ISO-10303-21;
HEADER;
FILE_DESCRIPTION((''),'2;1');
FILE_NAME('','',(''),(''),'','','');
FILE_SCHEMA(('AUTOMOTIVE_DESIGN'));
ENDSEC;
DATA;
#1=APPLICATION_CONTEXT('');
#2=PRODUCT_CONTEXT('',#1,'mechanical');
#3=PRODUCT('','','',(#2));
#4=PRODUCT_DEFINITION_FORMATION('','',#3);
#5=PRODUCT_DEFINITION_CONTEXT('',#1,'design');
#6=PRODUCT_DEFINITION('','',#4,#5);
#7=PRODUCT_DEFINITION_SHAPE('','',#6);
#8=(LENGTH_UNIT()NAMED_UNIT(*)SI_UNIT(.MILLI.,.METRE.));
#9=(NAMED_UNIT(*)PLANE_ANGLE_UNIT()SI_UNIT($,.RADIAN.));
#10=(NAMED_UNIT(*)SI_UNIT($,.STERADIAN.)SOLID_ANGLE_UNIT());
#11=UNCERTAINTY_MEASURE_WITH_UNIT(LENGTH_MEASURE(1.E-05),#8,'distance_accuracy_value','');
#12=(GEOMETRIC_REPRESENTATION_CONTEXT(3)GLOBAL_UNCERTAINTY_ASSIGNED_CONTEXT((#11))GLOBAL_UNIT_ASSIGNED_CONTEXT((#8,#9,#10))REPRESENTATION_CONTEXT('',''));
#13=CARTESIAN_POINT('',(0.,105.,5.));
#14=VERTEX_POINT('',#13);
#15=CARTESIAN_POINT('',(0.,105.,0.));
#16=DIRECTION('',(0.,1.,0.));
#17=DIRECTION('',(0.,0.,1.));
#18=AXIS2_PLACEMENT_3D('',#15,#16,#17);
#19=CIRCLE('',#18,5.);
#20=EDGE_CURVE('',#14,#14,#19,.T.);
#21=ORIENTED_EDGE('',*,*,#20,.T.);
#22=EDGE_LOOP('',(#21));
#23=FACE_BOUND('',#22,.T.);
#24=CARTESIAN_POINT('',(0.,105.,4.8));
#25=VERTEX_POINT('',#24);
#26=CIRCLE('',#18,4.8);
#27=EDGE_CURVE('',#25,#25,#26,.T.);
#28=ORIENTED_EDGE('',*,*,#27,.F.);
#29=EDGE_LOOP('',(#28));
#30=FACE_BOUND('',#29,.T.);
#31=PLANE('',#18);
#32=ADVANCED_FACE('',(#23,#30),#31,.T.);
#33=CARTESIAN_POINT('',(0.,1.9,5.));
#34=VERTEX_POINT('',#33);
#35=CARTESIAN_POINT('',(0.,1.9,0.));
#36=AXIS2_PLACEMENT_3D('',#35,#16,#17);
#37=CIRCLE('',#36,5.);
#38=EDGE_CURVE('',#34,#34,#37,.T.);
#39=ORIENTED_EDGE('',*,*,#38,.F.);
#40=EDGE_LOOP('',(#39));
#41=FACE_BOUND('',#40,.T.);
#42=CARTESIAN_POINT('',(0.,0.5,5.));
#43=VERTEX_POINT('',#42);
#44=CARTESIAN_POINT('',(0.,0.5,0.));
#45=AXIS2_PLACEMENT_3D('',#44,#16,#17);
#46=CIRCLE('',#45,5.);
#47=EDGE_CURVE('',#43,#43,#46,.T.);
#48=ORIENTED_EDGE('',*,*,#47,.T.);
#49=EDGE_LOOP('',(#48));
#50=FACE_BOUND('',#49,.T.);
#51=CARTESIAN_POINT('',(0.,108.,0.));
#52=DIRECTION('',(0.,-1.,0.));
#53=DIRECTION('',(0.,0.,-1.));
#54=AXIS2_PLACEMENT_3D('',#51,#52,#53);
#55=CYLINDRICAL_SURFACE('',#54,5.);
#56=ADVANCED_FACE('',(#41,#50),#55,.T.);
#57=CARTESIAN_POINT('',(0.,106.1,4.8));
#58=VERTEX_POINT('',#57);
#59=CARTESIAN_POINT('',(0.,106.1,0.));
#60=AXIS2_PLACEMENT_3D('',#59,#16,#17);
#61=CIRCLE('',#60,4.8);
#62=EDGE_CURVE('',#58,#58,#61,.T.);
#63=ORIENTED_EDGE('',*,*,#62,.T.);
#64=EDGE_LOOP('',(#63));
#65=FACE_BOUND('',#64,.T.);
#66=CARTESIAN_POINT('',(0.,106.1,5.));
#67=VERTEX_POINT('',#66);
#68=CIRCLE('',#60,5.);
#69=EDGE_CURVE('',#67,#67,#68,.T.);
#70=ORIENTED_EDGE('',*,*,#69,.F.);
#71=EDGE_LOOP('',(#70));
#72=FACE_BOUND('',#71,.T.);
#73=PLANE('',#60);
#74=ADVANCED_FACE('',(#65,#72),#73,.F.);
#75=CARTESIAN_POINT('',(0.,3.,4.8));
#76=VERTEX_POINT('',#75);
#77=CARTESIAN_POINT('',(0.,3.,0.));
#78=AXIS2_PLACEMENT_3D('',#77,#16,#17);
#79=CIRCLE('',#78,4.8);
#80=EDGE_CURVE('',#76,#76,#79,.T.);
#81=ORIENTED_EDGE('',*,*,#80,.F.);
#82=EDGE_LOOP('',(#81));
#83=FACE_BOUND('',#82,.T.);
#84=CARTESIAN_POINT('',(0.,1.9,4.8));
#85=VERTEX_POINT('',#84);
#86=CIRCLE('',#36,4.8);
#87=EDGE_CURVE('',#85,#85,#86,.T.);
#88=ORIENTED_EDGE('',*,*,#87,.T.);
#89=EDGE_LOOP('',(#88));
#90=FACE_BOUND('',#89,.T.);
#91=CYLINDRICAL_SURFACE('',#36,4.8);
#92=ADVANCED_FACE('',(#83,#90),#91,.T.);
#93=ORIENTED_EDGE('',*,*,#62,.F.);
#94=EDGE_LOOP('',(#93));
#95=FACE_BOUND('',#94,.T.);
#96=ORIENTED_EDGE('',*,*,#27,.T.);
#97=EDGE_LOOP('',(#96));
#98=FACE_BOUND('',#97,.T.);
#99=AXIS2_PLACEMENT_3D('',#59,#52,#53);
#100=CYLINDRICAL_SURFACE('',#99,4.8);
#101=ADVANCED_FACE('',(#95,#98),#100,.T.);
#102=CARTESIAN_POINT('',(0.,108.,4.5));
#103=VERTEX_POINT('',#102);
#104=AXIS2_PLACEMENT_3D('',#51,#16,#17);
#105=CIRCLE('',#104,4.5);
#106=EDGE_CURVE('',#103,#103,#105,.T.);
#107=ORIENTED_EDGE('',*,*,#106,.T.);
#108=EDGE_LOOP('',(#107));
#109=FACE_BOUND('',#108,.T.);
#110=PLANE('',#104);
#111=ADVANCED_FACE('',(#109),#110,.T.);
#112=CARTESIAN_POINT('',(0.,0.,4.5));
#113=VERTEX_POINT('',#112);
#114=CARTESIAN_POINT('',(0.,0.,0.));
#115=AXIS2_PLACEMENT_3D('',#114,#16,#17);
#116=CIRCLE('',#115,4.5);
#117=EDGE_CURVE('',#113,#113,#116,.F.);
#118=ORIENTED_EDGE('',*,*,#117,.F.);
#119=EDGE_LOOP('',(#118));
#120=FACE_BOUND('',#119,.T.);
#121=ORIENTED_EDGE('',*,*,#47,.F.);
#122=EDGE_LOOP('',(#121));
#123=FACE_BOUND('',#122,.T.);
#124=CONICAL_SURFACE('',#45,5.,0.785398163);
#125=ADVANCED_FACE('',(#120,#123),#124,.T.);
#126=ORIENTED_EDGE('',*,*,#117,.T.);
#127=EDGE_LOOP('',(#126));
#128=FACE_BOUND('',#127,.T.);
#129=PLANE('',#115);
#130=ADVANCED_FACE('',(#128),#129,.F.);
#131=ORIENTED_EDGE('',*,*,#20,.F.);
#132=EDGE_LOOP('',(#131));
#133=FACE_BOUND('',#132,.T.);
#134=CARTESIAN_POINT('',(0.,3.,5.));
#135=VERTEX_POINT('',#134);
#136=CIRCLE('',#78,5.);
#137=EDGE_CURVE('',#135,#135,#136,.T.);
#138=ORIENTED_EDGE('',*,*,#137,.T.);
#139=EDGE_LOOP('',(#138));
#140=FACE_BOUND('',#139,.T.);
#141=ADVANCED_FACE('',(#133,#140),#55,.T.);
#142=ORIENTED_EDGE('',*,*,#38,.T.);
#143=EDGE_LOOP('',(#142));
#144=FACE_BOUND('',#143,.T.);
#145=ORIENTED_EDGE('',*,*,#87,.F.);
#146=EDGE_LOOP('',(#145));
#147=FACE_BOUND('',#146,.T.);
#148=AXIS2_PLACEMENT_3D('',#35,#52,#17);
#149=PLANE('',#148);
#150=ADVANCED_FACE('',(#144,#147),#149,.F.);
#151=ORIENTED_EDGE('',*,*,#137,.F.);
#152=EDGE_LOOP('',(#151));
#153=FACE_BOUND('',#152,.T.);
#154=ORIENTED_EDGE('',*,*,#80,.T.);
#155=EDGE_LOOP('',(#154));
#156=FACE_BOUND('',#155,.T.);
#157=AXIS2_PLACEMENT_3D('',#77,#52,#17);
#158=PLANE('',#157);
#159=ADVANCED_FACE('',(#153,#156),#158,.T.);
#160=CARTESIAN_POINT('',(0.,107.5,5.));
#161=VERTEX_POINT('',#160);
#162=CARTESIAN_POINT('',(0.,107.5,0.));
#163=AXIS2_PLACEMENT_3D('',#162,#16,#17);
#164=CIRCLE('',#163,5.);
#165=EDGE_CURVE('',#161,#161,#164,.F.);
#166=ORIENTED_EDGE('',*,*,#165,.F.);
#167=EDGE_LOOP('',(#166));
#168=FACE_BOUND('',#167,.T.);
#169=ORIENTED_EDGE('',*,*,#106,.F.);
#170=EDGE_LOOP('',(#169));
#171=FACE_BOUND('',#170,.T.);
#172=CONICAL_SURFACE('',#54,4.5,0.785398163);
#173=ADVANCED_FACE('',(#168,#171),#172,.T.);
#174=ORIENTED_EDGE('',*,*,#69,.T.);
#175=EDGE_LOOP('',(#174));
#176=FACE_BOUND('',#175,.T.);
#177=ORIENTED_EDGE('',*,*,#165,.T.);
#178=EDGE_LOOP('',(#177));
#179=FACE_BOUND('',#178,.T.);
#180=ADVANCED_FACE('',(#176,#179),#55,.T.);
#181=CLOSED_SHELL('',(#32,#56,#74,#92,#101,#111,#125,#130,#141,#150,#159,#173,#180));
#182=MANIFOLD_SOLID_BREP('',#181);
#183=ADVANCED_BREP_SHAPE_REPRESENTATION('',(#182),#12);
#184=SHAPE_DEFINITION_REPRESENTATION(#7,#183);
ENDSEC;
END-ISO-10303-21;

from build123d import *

# Parameters (mm, degrees)
SKETCH_1_R          = 5
EXTRUDE_1_DEPTH     = 108
CHAMFER_1_SIZE      = 0.5
CUT_EXTRUDE_START   = -3
SKETCH_2_R          = 5
SKETCH_2_R_2        = 4.8
CUT_EXTRUDE_1_DEPTH = 1.1


with BuildPart() as part:
    # 草图1 → 凸台-拉伸1 (new body)
    with BuildSketch(Plane(origin=(0, 0, 0), x_dir=(1, 0, 0), z_dir=(0, 1, 0))):
        with Locations(Location((0, 0, 0), (0, 0, 270))):
            Circle(SKETCH_1_R)
    extrude(amount=EXTRUDE_1_DEPTH)

    # 倒角1
    chamfer_1_edges = [part.edges().sort_by_distance(p)[0] for p in [
        (0, 0, -5),
        (0, 108, -5),
    ]]
    chamfer(chamfer_1_edges, length=CHAMFER_1_SIZE)

    # 草图2 → 切除-拉伸1 (cut)
    with BuildSketch(Plane(origin=(0, 108, 0), x_dir=(1, 0, 0), z_dir=(0, 1, 0)).offset(CUT_EXTRUDE_START)):
        with Locations(Location((0, 0, 0), (0, 0, 270))):
            Circle(SKETCH_2_R)
        with Locations(Location((0, 0, 0), (0, 0, 270))):
            Circle(SKETCH_2_R_2, mode=Mode.SUBTRACT)
    cut_extrude_1 = extrude(amount=CUT_EXTRUDE_1_DEPTH, mode=Mode.SUBTRACT)

    # 镜向1: 切除-拉伸1 across plane
    add(cut_extrude_1.mirror(Plane.ZX.offset(54)), mode=Mode.SUBTRACT)


solid = part.part
